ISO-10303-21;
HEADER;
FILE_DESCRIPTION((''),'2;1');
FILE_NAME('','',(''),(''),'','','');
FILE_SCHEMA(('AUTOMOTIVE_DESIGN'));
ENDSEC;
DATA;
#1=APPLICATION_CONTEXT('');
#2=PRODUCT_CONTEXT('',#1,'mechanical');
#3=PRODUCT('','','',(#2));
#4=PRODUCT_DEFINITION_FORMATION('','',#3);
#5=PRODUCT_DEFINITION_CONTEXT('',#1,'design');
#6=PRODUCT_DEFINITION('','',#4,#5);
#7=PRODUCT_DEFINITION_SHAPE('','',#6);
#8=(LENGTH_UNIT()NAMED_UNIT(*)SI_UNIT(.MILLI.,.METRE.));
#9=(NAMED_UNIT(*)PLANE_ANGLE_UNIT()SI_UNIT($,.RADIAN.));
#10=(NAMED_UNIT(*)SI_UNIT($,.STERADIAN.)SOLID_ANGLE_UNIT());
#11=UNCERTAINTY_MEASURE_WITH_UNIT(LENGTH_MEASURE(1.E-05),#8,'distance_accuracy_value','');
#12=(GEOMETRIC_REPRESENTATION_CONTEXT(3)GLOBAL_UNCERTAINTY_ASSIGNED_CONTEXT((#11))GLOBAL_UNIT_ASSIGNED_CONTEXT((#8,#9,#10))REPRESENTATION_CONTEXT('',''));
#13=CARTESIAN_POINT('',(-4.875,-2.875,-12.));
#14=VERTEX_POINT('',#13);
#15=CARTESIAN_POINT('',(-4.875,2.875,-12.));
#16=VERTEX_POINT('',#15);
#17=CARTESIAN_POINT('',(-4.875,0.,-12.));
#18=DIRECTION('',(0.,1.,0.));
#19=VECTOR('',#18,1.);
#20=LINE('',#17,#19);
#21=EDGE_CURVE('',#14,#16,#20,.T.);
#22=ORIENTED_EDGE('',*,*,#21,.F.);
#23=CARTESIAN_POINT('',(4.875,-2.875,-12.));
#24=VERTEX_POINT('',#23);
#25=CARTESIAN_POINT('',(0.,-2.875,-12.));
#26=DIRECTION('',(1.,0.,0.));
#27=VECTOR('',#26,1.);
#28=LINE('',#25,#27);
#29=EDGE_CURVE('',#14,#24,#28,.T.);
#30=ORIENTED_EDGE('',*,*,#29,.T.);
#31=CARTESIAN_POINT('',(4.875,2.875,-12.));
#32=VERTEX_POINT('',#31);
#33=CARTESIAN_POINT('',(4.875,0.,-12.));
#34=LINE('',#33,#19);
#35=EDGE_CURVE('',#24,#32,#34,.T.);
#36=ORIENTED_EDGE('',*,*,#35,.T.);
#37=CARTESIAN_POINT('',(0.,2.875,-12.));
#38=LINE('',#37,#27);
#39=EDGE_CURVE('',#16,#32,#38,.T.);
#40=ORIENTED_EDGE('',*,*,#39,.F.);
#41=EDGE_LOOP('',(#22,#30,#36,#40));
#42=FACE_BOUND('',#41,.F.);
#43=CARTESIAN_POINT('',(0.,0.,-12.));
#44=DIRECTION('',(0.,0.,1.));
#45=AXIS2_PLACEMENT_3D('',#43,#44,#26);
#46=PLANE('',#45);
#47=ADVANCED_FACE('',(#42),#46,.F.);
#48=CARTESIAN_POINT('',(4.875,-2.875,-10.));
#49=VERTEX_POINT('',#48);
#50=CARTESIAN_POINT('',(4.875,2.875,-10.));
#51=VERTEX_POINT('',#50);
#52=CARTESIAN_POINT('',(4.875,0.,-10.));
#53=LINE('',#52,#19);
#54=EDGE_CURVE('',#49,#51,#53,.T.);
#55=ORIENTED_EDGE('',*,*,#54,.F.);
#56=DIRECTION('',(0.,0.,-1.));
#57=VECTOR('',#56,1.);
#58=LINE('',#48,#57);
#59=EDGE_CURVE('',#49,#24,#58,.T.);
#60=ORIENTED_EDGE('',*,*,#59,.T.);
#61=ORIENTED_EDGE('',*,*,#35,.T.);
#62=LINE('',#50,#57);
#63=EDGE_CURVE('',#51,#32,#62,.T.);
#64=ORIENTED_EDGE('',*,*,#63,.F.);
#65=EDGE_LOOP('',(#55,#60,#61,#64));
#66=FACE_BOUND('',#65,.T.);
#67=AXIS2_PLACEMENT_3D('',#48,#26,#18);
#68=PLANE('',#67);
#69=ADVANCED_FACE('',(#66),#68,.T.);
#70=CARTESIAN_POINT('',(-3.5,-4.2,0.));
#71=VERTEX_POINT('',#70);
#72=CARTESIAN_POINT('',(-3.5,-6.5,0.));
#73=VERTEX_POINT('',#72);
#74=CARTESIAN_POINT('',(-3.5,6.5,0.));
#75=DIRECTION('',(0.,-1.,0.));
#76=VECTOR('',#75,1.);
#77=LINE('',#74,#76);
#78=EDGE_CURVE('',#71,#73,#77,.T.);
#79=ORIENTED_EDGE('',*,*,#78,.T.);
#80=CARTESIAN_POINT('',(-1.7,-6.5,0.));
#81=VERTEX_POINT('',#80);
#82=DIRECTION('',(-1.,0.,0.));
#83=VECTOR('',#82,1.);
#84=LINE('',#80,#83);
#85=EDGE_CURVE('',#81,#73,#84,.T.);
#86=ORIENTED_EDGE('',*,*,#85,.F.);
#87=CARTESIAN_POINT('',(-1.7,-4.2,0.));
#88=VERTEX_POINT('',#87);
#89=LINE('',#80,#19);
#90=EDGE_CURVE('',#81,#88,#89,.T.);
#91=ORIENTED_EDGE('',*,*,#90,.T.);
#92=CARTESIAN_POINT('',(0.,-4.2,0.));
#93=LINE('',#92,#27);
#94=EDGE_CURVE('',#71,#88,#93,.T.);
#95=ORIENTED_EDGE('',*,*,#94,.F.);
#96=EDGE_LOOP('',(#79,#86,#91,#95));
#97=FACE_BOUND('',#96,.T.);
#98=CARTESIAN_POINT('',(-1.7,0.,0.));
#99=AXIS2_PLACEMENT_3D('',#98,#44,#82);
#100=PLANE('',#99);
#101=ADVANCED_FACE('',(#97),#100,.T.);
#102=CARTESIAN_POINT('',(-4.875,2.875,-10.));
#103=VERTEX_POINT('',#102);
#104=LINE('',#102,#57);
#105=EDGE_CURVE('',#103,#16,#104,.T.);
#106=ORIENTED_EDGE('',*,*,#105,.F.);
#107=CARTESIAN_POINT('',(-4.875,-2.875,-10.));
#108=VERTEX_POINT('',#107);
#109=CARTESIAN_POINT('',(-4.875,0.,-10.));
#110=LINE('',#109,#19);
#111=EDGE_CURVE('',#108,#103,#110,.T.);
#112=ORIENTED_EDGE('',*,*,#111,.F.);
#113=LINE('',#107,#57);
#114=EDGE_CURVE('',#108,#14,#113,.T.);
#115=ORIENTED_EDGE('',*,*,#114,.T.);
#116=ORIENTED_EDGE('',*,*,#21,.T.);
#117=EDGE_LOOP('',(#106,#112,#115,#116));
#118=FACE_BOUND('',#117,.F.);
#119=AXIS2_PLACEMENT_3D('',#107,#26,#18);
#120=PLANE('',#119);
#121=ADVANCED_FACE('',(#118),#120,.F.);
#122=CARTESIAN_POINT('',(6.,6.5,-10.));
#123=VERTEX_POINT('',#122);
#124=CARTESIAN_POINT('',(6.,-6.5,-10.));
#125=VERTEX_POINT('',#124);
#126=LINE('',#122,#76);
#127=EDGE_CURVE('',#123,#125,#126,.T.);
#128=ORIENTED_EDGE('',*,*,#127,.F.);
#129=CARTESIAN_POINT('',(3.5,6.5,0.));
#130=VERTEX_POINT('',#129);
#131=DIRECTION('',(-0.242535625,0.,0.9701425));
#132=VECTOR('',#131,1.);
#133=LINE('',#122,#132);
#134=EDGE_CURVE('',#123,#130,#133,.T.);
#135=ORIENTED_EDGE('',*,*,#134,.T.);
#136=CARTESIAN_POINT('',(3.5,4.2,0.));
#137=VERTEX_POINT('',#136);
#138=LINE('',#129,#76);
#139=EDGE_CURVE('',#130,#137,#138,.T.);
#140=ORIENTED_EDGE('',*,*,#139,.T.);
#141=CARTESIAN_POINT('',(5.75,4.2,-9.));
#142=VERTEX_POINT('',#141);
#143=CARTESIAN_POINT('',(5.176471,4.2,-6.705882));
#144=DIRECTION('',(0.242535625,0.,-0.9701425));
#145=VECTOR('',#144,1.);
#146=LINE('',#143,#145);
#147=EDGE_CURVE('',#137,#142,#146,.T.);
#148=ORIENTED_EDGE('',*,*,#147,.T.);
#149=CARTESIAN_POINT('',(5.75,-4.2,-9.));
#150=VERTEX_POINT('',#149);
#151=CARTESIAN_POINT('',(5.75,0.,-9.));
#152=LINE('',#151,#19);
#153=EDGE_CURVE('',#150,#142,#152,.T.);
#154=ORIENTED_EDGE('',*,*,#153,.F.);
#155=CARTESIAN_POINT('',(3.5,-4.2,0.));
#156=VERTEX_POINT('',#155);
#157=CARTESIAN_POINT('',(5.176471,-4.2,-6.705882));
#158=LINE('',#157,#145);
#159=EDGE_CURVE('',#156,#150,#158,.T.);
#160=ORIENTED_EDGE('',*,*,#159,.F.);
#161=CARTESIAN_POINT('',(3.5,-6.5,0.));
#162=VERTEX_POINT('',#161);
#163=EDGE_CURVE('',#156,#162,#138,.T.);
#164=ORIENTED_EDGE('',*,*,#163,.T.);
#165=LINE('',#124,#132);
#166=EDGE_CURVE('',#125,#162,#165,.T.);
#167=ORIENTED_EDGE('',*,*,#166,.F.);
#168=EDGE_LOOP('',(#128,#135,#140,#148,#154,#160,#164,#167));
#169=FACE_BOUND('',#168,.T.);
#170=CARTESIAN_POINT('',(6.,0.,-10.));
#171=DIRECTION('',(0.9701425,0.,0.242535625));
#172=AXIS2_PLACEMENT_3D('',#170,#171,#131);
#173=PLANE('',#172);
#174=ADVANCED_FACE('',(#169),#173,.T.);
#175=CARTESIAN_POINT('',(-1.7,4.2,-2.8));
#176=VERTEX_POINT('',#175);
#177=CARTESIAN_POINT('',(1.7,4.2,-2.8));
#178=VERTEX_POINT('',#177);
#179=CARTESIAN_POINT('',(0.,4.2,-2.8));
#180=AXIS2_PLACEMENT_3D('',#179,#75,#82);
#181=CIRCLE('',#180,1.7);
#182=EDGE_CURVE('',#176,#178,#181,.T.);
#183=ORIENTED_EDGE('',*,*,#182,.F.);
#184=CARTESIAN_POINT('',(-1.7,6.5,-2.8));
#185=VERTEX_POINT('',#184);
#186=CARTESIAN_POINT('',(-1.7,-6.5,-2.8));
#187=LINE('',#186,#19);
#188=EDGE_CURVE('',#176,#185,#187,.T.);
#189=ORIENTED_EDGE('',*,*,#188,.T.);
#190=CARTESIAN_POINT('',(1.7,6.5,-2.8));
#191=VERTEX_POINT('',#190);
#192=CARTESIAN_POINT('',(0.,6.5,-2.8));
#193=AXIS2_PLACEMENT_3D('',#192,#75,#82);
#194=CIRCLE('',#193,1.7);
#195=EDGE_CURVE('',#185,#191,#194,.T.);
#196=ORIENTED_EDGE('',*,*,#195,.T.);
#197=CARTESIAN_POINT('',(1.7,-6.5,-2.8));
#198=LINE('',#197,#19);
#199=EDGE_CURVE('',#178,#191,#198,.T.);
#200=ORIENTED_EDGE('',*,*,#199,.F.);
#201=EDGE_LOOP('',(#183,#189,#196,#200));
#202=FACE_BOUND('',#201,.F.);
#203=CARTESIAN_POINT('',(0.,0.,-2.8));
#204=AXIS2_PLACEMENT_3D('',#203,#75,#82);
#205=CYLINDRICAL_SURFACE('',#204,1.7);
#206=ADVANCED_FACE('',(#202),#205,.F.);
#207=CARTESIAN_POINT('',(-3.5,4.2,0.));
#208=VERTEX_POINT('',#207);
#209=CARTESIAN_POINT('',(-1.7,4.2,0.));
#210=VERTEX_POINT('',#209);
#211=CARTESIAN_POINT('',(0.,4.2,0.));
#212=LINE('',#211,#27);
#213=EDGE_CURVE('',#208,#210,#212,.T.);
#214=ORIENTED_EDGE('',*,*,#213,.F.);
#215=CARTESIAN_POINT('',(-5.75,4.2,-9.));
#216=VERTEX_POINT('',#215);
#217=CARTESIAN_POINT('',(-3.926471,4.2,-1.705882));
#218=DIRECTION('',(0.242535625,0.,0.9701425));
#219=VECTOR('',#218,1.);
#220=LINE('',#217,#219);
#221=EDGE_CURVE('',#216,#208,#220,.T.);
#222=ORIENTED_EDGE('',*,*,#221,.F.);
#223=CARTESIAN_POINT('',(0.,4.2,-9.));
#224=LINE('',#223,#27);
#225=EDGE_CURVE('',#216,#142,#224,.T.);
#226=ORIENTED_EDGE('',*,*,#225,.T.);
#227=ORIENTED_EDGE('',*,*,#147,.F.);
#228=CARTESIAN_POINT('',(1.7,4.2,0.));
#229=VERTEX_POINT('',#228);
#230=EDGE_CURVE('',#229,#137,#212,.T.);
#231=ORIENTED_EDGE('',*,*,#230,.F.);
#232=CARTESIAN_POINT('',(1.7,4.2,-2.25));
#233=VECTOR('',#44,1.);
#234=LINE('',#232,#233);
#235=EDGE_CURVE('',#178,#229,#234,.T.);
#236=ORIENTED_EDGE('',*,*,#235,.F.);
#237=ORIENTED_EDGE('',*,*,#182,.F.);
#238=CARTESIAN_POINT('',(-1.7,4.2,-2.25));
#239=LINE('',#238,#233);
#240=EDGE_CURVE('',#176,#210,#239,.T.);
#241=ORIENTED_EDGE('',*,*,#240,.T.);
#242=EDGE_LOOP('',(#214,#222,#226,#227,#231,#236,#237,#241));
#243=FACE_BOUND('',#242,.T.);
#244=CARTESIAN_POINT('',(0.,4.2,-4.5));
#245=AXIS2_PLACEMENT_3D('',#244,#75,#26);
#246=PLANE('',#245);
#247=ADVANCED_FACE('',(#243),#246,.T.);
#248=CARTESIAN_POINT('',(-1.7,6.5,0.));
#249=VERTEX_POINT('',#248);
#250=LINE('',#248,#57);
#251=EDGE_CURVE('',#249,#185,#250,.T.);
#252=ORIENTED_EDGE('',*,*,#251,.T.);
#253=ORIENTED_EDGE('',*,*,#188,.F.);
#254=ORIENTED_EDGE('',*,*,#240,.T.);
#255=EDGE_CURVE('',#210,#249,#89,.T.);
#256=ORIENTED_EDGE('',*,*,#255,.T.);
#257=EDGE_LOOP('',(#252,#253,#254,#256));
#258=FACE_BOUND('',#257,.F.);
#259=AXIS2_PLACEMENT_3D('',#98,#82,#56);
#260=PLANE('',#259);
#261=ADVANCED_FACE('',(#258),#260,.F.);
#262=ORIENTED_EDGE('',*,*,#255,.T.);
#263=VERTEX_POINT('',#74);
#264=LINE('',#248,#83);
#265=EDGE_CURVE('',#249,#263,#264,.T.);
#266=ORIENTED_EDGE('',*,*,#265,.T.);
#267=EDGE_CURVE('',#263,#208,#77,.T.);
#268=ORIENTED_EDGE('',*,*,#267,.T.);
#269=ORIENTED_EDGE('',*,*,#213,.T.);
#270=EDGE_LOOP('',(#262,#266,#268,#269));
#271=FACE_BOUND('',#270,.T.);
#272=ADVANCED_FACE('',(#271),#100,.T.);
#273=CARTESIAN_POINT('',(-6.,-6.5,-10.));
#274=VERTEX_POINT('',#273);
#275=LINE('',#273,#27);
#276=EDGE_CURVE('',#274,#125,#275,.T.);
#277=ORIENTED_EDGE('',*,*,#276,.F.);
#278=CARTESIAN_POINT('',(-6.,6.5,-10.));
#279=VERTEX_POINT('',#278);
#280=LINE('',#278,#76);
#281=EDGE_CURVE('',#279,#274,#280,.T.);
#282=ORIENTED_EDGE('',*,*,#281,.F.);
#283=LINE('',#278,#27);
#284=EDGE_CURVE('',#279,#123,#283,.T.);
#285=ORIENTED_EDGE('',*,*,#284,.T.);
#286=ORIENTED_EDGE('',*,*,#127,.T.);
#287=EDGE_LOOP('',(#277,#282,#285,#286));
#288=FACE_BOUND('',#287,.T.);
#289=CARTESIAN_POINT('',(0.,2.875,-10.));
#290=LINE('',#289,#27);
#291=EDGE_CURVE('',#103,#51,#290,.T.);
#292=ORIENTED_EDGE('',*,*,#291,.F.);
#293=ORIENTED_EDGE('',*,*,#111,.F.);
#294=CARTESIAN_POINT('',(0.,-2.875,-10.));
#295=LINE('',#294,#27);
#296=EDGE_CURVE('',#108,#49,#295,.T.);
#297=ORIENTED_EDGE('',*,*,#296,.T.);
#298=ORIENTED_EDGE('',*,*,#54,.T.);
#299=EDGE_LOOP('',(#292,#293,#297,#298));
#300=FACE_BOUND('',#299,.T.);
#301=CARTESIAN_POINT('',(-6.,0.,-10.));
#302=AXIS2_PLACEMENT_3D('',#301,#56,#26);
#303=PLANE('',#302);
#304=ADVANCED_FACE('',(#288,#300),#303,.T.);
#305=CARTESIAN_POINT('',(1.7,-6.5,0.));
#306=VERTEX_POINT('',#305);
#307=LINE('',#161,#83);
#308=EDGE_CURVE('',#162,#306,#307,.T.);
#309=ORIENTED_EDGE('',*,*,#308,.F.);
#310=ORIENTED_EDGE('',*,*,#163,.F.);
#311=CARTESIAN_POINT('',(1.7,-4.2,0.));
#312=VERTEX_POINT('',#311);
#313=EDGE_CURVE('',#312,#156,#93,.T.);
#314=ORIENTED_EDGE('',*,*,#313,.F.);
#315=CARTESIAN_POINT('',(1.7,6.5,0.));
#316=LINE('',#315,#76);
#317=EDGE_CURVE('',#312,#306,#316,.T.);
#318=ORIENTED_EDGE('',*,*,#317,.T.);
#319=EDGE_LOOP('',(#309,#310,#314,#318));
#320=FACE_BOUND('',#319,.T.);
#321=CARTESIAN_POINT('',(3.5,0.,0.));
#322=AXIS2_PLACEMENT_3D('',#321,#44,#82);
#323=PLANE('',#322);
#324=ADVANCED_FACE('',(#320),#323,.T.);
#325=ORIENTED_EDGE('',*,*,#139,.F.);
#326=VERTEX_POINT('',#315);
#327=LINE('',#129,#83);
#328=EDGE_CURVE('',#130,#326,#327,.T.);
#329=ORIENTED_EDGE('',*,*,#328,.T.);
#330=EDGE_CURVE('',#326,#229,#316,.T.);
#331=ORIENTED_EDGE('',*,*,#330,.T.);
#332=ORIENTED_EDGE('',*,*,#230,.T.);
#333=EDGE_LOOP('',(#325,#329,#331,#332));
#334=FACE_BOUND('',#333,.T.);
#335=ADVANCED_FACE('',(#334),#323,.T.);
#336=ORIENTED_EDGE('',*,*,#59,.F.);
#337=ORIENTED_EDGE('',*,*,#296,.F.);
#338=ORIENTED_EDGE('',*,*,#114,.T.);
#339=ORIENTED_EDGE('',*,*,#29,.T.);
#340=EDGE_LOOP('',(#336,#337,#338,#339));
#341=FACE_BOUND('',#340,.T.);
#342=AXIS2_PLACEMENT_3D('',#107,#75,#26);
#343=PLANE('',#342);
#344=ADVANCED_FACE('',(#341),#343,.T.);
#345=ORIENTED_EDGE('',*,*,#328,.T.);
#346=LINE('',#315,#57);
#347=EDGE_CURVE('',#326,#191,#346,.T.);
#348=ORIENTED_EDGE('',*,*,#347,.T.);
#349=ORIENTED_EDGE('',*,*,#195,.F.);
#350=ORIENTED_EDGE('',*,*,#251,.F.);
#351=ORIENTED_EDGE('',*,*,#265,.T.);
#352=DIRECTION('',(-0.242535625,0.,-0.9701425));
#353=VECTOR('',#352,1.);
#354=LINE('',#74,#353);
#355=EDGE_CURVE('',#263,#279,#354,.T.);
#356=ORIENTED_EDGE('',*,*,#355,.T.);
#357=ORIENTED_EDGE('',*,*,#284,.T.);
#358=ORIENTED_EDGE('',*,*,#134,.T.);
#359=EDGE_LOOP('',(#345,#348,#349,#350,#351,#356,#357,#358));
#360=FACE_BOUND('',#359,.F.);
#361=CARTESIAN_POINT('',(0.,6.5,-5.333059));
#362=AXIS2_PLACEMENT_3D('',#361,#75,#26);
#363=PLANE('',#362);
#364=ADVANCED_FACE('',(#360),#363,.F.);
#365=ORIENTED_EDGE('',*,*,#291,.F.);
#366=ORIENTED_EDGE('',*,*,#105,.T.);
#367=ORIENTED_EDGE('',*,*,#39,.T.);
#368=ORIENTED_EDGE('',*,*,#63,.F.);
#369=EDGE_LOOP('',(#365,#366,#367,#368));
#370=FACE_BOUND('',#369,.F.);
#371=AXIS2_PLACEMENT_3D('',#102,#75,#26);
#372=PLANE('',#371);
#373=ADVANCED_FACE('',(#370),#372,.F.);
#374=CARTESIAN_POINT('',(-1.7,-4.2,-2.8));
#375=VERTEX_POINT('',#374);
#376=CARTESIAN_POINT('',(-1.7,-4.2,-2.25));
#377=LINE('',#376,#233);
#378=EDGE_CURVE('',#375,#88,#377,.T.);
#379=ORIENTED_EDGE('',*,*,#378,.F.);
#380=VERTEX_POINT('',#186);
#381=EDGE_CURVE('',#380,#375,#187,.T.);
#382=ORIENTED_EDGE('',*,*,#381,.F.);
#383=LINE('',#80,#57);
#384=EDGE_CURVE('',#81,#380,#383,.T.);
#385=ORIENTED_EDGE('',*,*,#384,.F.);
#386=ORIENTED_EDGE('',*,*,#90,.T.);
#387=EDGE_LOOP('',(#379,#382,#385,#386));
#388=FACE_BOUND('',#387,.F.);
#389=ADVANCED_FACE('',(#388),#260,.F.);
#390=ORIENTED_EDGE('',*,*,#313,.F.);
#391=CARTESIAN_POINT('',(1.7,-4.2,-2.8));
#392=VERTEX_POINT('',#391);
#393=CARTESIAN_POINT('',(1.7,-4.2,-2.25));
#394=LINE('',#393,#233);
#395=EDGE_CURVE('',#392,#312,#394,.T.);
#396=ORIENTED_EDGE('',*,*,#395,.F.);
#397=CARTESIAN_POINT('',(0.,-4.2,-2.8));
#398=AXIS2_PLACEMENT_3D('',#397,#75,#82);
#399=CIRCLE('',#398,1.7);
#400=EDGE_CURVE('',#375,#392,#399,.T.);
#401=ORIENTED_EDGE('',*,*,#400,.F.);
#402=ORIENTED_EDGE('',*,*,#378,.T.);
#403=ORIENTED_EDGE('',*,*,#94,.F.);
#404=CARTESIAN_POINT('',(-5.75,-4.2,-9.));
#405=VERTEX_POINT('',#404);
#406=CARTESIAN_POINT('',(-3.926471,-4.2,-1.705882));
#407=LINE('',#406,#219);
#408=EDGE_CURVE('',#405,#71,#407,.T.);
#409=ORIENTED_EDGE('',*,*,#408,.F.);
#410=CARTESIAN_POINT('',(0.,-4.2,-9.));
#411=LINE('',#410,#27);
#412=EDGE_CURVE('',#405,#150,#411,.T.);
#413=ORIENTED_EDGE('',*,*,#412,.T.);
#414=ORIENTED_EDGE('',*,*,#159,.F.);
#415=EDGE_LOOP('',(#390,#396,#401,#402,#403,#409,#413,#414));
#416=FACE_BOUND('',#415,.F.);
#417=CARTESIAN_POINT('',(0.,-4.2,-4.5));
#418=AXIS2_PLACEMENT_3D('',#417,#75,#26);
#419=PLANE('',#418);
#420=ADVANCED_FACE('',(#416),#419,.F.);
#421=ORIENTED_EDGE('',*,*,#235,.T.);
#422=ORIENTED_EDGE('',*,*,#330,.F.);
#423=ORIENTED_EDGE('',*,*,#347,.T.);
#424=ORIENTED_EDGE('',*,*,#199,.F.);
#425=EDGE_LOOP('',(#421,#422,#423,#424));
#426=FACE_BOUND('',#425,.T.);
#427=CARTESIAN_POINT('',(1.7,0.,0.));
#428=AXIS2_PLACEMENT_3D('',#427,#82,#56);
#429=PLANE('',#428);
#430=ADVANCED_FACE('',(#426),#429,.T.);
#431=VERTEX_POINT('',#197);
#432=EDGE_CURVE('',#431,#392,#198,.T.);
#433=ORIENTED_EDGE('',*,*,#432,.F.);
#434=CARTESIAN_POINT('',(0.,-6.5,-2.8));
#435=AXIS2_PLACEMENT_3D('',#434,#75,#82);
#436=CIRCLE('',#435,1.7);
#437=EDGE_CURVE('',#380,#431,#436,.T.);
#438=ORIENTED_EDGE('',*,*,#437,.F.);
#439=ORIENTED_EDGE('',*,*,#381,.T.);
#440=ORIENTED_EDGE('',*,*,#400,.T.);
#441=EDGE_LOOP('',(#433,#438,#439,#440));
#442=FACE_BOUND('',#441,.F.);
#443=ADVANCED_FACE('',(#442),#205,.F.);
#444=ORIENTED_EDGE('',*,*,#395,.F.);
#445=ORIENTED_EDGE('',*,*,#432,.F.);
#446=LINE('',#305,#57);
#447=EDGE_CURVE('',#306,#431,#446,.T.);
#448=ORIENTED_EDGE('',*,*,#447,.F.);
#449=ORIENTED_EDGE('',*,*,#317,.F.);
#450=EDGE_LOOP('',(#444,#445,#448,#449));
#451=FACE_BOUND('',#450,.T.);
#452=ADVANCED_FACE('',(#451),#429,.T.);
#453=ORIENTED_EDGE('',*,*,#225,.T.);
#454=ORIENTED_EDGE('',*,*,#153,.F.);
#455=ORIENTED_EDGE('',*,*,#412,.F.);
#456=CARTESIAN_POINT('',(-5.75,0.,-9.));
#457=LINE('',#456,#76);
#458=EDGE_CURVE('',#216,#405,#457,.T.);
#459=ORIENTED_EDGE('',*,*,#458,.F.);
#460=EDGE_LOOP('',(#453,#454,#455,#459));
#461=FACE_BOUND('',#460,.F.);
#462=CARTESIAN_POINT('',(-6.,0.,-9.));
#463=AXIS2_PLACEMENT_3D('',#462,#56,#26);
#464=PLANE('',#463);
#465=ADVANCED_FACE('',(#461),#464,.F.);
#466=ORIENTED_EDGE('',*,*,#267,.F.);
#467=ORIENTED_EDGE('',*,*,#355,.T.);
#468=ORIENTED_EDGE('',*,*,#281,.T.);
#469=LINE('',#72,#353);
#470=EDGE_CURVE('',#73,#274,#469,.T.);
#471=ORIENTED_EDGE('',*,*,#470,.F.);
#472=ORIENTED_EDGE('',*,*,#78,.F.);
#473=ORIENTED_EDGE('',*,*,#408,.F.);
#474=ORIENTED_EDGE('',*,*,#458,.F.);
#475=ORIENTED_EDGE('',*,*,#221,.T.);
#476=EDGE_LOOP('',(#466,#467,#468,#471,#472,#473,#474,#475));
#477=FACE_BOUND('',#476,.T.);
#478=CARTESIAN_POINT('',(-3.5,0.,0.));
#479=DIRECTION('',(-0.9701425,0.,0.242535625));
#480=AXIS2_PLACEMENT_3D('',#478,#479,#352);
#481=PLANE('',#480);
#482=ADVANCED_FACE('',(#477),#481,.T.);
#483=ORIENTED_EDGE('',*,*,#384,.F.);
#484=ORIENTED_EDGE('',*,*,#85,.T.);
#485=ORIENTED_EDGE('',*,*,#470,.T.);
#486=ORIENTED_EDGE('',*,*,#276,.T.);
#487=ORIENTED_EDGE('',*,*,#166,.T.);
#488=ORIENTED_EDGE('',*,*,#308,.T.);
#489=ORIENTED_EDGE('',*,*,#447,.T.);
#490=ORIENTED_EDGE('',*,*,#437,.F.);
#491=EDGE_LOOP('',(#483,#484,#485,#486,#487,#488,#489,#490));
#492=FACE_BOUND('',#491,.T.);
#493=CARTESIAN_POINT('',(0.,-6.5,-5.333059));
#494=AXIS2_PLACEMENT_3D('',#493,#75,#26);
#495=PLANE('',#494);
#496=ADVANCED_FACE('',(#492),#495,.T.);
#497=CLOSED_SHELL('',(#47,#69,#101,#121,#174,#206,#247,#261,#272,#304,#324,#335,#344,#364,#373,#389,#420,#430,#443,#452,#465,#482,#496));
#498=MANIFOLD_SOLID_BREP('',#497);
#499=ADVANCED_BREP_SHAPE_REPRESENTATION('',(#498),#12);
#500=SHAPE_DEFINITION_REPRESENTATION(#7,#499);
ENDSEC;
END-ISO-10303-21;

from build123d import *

# Parameters (mm, degrees)
PAD106_DEPTH    = 6.5
SKETCH195_W     = 12
SKETCH195_H     = 9
POCKET046_DEPTH = 4.2
SKETCH196_W     = 9.75
SKETCH196_H     = 5.75
PAD107_DEPTH    = 2


with BuildPart() as part:
    # Sketch194 → Pad106 (new body, symmetric)
    with BuildSketch(Plane.XZ):
        with BuildLine():
            Line((-1.7, 10), (-3.5, 10))
            Line((-3.5, 10), (-6, 0))
            Line((-6, 0), (6, 0))
            Line((6, 0), (3.5, 10))
            Line((3.5, 10), (1.7, 10))
            Line((1.7, 10), (1.7, 7.2))
            ThreePointArc((-1.7, 7.2), (0, 5.5), (1.7, 7.2))
            Line((-1.7, 10), (-1.7, 7.2))
        make_face()
    extrude(amount=PAD106_DEPTH, both=True)

    # Sketch195 → Pocket046 (cut, symmetric)
    with BuildSketch(Plane.XZ):
        with Locations((0, 5.5)):
            Rectangle(SKETCH195_W, SKETCH195_H)
    extrude(amount=POCKET046_DEPTH, both=True, mode=Mode.SUBTRACT)

    # Sketch196 → Pad107 (join)
    with BuildSketch(Plane.XY):
        Rectangle(SKETCH196_W, SKETCH196_H)
    extrude(amount=-PAD107_DEPTH)


with BuildPart() as part_1:
    # Body150 placement: moved
    add(part.part.moved(Location((0, 0, -10))))


solid = part_1.part
